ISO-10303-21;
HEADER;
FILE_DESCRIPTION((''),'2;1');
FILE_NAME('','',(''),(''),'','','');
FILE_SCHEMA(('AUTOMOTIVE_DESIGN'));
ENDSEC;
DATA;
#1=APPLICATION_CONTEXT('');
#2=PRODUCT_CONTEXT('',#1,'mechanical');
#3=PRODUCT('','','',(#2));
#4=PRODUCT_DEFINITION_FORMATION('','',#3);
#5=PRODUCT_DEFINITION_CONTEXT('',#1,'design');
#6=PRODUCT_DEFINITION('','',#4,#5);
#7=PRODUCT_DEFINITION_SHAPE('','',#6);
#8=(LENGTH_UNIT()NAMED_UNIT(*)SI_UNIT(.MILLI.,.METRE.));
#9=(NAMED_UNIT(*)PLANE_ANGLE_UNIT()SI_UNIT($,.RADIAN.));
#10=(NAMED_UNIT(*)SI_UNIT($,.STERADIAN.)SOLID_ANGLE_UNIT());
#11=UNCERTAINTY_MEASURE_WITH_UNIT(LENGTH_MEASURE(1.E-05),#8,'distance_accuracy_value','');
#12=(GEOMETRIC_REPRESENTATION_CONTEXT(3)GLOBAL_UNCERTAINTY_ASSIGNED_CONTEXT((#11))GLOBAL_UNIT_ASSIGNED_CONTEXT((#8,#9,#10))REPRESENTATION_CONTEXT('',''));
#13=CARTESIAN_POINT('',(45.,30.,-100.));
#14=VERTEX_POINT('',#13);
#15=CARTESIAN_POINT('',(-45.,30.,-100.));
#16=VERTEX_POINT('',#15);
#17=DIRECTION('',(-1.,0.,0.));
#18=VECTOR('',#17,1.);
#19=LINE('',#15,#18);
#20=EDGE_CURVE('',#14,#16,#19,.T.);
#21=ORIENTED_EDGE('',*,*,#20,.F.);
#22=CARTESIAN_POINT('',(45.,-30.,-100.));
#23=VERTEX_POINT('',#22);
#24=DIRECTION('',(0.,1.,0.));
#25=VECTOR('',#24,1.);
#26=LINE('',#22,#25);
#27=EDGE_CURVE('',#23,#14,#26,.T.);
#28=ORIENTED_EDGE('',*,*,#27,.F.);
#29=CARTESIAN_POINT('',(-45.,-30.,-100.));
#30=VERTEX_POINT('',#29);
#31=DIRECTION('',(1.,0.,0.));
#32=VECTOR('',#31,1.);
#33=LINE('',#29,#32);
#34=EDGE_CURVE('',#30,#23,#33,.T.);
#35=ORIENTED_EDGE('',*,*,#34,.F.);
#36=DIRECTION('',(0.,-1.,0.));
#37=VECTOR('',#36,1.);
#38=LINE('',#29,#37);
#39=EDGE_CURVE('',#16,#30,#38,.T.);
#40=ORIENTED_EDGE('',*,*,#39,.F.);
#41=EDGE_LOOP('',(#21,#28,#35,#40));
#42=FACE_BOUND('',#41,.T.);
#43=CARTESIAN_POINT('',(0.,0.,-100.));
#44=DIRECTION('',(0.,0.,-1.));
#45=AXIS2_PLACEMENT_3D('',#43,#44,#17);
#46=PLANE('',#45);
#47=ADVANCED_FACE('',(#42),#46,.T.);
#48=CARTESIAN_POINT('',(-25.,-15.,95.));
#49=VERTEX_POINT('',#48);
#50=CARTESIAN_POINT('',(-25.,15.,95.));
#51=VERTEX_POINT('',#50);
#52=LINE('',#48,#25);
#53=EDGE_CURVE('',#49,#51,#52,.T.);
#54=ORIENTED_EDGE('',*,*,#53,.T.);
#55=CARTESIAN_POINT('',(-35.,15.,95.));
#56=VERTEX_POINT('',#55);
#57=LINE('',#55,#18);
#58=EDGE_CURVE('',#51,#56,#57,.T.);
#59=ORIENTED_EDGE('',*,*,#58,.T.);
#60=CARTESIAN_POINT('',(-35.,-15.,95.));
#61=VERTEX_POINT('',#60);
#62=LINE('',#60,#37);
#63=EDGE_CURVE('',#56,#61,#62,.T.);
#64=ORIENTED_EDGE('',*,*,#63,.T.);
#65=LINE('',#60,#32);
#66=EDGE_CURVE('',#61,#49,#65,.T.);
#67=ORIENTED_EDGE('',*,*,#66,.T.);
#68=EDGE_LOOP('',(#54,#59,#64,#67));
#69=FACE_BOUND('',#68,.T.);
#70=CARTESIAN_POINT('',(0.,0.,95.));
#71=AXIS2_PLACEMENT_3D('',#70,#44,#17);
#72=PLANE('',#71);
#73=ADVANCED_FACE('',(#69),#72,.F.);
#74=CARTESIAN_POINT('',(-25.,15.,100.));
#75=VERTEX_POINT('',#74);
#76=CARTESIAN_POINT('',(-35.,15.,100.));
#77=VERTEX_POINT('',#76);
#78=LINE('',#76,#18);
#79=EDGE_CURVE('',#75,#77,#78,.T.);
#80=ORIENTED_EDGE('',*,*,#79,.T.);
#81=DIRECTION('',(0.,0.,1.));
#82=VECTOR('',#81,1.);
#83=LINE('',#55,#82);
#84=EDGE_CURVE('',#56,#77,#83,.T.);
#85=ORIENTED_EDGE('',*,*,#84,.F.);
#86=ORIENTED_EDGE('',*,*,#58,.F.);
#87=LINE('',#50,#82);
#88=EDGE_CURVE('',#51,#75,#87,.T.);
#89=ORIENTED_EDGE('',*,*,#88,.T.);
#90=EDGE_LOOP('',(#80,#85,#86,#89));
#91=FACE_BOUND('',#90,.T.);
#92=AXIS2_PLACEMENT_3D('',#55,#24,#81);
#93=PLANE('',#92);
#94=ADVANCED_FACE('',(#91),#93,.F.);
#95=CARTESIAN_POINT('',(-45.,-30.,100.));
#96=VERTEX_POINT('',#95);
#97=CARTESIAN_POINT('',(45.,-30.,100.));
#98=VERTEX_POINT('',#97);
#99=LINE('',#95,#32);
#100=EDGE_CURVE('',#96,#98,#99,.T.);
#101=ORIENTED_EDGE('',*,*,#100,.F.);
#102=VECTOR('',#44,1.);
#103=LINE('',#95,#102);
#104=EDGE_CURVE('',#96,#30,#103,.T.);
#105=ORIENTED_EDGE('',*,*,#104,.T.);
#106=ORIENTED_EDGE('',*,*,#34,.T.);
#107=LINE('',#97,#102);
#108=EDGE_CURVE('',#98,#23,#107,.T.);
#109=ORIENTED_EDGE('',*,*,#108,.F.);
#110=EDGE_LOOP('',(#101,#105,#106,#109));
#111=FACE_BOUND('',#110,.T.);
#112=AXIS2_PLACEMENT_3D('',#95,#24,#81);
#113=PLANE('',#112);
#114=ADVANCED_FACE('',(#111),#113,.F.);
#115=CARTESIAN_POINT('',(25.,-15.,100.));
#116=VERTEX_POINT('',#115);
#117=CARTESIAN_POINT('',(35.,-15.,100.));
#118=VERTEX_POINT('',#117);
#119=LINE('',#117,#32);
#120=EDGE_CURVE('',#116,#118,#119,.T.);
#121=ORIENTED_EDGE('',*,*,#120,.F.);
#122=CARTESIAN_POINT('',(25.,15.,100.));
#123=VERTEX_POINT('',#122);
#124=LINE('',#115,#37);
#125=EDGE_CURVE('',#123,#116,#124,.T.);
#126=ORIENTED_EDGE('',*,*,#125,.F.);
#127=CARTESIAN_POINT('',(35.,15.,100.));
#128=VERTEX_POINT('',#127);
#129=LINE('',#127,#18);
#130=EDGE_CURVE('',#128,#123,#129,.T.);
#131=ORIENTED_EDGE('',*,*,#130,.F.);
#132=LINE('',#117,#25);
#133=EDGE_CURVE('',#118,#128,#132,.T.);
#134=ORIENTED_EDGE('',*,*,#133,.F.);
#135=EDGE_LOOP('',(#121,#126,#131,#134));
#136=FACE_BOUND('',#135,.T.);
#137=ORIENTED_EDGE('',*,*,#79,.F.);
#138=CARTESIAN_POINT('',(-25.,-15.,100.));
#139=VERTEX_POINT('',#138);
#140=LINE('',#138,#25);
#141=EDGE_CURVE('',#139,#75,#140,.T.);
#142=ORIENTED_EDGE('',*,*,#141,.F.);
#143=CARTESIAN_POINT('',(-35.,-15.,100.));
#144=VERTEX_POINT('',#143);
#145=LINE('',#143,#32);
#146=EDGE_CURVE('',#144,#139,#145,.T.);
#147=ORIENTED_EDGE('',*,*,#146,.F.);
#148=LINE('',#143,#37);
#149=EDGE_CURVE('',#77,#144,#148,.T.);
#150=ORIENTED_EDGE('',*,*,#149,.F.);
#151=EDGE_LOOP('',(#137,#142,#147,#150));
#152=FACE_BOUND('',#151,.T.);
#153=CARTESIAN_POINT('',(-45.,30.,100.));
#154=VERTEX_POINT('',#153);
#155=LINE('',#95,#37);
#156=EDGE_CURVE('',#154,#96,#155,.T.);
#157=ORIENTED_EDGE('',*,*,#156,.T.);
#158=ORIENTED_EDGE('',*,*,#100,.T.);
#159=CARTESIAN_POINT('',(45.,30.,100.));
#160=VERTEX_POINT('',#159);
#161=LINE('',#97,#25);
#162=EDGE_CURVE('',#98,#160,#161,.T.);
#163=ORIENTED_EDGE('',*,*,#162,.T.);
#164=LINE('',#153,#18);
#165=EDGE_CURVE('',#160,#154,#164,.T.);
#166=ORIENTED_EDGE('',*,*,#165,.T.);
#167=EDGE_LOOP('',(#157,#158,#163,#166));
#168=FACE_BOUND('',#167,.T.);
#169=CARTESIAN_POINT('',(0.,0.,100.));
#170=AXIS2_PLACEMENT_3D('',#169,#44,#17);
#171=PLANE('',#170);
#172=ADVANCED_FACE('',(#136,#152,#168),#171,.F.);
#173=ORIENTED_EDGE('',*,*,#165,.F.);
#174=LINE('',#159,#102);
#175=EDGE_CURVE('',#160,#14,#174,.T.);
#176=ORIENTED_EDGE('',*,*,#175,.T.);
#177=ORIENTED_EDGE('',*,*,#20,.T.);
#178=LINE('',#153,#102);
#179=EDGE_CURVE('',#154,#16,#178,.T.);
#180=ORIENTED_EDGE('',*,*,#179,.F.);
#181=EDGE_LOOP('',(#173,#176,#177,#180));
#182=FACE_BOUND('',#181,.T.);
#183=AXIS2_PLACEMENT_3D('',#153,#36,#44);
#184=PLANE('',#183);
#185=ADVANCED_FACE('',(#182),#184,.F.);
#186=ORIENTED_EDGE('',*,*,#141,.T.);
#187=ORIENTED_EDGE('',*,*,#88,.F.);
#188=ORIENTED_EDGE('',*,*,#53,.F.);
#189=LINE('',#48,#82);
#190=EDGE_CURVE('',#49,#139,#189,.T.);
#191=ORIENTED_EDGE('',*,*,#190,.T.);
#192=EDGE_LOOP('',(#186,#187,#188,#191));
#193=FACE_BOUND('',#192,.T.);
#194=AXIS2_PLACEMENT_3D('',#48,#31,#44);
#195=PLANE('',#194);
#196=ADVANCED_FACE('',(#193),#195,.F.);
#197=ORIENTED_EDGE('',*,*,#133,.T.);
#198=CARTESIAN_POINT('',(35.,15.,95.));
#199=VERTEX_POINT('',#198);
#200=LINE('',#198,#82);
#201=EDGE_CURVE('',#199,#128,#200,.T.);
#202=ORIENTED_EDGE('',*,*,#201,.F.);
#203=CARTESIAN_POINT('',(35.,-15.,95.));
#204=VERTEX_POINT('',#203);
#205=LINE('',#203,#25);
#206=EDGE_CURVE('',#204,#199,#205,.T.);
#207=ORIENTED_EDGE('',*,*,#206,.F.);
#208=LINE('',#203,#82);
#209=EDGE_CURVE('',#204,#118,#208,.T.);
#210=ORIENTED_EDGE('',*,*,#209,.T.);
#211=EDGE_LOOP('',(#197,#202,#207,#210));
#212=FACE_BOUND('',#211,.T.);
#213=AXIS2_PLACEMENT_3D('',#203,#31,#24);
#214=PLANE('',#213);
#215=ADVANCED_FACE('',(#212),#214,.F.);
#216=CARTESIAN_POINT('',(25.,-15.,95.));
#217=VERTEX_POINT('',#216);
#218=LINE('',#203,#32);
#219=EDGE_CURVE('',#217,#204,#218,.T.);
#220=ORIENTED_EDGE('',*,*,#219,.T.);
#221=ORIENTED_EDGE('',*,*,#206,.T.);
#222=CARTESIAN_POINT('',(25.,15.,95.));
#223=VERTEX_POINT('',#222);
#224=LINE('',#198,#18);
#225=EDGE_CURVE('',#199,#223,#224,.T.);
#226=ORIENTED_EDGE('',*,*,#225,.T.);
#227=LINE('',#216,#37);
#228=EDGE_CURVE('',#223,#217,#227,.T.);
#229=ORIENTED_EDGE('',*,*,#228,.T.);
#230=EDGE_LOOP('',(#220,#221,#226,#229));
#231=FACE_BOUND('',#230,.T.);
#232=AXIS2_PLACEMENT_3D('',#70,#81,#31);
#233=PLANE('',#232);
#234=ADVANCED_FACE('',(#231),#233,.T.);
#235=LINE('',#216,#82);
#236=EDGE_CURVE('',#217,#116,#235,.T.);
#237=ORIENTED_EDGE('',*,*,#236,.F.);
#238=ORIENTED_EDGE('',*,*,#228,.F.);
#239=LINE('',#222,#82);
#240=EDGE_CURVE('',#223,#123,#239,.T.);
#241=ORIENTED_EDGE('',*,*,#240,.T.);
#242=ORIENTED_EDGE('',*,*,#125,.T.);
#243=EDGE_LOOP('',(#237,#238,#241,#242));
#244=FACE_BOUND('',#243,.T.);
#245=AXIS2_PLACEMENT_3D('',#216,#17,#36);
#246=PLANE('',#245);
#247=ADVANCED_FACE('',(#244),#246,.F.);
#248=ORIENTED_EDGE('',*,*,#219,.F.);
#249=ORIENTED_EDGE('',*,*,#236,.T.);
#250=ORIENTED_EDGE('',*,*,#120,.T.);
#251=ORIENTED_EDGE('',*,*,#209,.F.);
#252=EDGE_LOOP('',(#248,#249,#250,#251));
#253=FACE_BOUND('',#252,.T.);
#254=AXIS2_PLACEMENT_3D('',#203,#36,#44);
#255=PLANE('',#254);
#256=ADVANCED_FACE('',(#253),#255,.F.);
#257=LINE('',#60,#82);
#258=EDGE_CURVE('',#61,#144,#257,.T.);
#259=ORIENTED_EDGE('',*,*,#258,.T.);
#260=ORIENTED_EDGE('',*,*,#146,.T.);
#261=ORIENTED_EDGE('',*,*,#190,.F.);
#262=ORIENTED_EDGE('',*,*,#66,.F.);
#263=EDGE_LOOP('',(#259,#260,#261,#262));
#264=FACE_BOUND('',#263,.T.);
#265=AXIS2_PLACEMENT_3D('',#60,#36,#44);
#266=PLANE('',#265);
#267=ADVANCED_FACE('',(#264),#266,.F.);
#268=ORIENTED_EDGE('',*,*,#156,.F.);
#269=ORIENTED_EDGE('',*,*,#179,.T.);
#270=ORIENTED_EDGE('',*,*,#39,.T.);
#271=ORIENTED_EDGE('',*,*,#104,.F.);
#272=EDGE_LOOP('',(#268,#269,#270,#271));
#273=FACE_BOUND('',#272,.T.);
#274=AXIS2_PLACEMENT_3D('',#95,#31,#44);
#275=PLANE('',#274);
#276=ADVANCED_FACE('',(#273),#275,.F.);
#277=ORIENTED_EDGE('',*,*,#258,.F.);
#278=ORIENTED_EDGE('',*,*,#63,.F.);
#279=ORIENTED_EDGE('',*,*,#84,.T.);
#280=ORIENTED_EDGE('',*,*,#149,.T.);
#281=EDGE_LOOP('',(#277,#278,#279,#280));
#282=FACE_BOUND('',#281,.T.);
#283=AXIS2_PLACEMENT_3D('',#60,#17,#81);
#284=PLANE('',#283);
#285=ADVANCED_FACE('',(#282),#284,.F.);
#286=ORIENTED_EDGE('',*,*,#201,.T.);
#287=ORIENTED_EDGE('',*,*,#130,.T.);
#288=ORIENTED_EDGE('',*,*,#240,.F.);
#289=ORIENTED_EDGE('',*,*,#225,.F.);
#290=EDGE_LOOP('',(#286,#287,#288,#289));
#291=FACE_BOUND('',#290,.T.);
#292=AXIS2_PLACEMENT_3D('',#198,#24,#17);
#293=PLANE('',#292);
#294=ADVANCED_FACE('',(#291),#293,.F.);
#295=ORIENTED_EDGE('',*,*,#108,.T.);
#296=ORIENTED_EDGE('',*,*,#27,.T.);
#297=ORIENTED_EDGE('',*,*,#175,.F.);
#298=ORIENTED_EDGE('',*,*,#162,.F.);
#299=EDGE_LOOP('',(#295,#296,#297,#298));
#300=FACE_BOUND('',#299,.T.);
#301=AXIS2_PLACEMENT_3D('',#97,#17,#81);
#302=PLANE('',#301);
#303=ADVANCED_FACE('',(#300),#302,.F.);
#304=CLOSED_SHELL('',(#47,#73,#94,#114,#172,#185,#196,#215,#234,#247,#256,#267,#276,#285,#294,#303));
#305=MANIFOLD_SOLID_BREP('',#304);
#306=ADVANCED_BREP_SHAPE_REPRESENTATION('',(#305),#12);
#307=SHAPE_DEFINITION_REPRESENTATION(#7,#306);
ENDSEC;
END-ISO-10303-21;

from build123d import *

# Parameters (mm, degrees)
SKETCH_1_W          = 90
SKETCH_1_H          = 60
EXTRUDE_1_DEPTH     = 100
SKETCH_2_W          = 10
SKETCH_2_H          = 30
CUT_EXTRUDE_1_DEPTH = 5


with BuildPart() as part:
    # Эскиз1 → Бобышка-Вытянуть1 (new, symmetric)
    with BuildSketch(Plane.XY):
        Rectangle(SKETCH_1_W, SKETCH_1_H)
    extrude(amount=EXTRUDE_1_DEPTH, both=True)

    # Эскиз2 → Вырез-Вытянуть1 (cut)
    with BuildSketch(Plane.XY.offset(100)):
        with Locations((-30, 0)):
            Rectangle(SKETCH_2_W, SKETCH_2_H)
        with Locations((30, 0)):
            Rectangle(SKETCH_2_W, SKETCH_2_H)
    extrude(amount=-CUT_EXTRUDE_1_DEPTH, mode=Mode.SUBTRACT)


solid = part.part
